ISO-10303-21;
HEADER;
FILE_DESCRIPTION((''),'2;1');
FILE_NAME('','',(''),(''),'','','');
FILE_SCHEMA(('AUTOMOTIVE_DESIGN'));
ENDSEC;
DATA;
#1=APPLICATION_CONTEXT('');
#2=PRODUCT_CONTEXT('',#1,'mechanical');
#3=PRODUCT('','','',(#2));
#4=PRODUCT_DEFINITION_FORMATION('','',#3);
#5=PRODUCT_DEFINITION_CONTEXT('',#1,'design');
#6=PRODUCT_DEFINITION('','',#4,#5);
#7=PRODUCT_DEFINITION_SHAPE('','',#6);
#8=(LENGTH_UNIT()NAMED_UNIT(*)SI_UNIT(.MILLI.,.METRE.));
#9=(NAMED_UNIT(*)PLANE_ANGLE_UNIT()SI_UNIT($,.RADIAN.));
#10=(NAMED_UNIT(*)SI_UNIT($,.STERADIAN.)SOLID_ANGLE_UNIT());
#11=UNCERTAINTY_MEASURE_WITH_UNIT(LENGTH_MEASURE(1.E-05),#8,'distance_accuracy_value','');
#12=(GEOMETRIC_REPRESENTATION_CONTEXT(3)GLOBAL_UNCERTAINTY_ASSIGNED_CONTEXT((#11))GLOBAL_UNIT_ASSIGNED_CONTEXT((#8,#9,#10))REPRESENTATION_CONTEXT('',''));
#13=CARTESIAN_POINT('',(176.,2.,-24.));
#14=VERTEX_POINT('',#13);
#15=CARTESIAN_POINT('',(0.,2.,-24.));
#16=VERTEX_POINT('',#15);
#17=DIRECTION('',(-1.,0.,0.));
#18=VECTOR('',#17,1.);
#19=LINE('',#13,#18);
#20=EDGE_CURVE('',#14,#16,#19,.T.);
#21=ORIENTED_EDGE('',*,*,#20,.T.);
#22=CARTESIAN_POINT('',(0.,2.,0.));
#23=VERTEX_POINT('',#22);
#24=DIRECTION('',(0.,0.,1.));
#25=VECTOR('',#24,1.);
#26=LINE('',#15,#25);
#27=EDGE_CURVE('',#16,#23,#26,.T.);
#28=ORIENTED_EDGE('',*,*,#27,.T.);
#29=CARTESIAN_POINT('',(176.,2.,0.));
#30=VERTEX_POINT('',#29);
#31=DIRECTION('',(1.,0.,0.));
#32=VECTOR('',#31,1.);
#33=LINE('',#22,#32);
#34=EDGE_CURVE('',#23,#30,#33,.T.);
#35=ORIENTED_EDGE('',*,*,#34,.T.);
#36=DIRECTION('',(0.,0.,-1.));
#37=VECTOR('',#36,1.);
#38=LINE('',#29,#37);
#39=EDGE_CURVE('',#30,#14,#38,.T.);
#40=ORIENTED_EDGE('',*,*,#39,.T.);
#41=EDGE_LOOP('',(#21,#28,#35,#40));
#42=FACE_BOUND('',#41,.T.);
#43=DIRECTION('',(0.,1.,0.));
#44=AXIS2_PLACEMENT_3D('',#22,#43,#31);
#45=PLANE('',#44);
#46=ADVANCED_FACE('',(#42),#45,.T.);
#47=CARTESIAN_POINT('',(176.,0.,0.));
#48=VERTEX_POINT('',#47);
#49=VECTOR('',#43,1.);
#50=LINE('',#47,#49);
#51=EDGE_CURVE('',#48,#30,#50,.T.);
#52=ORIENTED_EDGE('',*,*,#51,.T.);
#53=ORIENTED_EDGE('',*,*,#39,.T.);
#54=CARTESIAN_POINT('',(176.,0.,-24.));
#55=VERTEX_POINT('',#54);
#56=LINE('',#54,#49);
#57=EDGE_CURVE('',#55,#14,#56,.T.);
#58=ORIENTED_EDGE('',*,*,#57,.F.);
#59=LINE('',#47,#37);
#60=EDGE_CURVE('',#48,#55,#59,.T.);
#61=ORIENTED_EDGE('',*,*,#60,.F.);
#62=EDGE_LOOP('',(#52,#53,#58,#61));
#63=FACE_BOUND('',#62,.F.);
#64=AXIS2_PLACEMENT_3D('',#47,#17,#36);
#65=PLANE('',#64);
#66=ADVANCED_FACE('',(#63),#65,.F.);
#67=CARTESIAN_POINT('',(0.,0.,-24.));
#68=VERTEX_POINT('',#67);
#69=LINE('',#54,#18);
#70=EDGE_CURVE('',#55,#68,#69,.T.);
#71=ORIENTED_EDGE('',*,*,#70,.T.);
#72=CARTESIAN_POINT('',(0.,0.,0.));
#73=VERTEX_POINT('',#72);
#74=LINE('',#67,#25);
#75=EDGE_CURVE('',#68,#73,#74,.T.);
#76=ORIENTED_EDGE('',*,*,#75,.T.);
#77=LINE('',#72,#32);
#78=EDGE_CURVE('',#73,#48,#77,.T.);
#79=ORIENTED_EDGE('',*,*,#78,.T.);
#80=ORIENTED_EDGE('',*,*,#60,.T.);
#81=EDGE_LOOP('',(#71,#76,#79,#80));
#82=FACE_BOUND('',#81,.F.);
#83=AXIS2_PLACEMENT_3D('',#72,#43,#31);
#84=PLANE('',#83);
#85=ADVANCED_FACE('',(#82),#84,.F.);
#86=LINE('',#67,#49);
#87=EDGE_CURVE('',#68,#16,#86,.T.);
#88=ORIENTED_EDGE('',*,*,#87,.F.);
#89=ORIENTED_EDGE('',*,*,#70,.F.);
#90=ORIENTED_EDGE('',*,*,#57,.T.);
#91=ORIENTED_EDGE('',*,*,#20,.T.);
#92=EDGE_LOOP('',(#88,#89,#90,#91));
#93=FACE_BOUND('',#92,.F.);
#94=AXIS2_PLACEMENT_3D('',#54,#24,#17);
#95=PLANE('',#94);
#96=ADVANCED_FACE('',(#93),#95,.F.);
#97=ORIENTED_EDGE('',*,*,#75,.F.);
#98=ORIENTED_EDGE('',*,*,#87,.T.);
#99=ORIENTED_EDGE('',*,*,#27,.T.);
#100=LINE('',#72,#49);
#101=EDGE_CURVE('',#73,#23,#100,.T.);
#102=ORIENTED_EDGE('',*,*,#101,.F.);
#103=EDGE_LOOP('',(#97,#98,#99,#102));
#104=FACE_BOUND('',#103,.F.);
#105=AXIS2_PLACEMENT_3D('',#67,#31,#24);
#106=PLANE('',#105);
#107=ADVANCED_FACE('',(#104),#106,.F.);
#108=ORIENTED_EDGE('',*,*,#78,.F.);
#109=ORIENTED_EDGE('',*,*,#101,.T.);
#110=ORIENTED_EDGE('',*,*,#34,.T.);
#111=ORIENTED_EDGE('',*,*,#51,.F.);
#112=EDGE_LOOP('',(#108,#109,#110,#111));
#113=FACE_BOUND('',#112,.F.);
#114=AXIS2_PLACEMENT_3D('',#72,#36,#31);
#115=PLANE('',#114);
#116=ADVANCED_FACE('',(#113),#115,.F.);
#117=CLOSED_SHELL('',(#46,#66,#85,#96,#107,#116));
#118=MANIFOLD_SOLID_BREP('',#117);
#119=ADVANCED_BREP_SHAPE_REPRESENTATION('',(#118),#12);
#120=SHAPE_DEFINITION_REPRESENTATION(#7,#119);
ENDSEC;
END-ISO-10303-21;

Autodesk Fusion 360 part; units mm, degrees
sketch "Sketch1" plane through (0, 0, 0) normal (0, 1, 0) x (1, 0, 0)
  line L0 (0, 0) -> (176, 0)
  line L1 (176, 0) -> (176, 24)
  line L2 (176, 24) -> (0, 24)
  line L3 (0, 24) -> (0, 0)
  dimension "d1" = 176
  dimension "d2" = 24
extrude "Extrude1" add sketch "Sketch1" along normal blind 2
